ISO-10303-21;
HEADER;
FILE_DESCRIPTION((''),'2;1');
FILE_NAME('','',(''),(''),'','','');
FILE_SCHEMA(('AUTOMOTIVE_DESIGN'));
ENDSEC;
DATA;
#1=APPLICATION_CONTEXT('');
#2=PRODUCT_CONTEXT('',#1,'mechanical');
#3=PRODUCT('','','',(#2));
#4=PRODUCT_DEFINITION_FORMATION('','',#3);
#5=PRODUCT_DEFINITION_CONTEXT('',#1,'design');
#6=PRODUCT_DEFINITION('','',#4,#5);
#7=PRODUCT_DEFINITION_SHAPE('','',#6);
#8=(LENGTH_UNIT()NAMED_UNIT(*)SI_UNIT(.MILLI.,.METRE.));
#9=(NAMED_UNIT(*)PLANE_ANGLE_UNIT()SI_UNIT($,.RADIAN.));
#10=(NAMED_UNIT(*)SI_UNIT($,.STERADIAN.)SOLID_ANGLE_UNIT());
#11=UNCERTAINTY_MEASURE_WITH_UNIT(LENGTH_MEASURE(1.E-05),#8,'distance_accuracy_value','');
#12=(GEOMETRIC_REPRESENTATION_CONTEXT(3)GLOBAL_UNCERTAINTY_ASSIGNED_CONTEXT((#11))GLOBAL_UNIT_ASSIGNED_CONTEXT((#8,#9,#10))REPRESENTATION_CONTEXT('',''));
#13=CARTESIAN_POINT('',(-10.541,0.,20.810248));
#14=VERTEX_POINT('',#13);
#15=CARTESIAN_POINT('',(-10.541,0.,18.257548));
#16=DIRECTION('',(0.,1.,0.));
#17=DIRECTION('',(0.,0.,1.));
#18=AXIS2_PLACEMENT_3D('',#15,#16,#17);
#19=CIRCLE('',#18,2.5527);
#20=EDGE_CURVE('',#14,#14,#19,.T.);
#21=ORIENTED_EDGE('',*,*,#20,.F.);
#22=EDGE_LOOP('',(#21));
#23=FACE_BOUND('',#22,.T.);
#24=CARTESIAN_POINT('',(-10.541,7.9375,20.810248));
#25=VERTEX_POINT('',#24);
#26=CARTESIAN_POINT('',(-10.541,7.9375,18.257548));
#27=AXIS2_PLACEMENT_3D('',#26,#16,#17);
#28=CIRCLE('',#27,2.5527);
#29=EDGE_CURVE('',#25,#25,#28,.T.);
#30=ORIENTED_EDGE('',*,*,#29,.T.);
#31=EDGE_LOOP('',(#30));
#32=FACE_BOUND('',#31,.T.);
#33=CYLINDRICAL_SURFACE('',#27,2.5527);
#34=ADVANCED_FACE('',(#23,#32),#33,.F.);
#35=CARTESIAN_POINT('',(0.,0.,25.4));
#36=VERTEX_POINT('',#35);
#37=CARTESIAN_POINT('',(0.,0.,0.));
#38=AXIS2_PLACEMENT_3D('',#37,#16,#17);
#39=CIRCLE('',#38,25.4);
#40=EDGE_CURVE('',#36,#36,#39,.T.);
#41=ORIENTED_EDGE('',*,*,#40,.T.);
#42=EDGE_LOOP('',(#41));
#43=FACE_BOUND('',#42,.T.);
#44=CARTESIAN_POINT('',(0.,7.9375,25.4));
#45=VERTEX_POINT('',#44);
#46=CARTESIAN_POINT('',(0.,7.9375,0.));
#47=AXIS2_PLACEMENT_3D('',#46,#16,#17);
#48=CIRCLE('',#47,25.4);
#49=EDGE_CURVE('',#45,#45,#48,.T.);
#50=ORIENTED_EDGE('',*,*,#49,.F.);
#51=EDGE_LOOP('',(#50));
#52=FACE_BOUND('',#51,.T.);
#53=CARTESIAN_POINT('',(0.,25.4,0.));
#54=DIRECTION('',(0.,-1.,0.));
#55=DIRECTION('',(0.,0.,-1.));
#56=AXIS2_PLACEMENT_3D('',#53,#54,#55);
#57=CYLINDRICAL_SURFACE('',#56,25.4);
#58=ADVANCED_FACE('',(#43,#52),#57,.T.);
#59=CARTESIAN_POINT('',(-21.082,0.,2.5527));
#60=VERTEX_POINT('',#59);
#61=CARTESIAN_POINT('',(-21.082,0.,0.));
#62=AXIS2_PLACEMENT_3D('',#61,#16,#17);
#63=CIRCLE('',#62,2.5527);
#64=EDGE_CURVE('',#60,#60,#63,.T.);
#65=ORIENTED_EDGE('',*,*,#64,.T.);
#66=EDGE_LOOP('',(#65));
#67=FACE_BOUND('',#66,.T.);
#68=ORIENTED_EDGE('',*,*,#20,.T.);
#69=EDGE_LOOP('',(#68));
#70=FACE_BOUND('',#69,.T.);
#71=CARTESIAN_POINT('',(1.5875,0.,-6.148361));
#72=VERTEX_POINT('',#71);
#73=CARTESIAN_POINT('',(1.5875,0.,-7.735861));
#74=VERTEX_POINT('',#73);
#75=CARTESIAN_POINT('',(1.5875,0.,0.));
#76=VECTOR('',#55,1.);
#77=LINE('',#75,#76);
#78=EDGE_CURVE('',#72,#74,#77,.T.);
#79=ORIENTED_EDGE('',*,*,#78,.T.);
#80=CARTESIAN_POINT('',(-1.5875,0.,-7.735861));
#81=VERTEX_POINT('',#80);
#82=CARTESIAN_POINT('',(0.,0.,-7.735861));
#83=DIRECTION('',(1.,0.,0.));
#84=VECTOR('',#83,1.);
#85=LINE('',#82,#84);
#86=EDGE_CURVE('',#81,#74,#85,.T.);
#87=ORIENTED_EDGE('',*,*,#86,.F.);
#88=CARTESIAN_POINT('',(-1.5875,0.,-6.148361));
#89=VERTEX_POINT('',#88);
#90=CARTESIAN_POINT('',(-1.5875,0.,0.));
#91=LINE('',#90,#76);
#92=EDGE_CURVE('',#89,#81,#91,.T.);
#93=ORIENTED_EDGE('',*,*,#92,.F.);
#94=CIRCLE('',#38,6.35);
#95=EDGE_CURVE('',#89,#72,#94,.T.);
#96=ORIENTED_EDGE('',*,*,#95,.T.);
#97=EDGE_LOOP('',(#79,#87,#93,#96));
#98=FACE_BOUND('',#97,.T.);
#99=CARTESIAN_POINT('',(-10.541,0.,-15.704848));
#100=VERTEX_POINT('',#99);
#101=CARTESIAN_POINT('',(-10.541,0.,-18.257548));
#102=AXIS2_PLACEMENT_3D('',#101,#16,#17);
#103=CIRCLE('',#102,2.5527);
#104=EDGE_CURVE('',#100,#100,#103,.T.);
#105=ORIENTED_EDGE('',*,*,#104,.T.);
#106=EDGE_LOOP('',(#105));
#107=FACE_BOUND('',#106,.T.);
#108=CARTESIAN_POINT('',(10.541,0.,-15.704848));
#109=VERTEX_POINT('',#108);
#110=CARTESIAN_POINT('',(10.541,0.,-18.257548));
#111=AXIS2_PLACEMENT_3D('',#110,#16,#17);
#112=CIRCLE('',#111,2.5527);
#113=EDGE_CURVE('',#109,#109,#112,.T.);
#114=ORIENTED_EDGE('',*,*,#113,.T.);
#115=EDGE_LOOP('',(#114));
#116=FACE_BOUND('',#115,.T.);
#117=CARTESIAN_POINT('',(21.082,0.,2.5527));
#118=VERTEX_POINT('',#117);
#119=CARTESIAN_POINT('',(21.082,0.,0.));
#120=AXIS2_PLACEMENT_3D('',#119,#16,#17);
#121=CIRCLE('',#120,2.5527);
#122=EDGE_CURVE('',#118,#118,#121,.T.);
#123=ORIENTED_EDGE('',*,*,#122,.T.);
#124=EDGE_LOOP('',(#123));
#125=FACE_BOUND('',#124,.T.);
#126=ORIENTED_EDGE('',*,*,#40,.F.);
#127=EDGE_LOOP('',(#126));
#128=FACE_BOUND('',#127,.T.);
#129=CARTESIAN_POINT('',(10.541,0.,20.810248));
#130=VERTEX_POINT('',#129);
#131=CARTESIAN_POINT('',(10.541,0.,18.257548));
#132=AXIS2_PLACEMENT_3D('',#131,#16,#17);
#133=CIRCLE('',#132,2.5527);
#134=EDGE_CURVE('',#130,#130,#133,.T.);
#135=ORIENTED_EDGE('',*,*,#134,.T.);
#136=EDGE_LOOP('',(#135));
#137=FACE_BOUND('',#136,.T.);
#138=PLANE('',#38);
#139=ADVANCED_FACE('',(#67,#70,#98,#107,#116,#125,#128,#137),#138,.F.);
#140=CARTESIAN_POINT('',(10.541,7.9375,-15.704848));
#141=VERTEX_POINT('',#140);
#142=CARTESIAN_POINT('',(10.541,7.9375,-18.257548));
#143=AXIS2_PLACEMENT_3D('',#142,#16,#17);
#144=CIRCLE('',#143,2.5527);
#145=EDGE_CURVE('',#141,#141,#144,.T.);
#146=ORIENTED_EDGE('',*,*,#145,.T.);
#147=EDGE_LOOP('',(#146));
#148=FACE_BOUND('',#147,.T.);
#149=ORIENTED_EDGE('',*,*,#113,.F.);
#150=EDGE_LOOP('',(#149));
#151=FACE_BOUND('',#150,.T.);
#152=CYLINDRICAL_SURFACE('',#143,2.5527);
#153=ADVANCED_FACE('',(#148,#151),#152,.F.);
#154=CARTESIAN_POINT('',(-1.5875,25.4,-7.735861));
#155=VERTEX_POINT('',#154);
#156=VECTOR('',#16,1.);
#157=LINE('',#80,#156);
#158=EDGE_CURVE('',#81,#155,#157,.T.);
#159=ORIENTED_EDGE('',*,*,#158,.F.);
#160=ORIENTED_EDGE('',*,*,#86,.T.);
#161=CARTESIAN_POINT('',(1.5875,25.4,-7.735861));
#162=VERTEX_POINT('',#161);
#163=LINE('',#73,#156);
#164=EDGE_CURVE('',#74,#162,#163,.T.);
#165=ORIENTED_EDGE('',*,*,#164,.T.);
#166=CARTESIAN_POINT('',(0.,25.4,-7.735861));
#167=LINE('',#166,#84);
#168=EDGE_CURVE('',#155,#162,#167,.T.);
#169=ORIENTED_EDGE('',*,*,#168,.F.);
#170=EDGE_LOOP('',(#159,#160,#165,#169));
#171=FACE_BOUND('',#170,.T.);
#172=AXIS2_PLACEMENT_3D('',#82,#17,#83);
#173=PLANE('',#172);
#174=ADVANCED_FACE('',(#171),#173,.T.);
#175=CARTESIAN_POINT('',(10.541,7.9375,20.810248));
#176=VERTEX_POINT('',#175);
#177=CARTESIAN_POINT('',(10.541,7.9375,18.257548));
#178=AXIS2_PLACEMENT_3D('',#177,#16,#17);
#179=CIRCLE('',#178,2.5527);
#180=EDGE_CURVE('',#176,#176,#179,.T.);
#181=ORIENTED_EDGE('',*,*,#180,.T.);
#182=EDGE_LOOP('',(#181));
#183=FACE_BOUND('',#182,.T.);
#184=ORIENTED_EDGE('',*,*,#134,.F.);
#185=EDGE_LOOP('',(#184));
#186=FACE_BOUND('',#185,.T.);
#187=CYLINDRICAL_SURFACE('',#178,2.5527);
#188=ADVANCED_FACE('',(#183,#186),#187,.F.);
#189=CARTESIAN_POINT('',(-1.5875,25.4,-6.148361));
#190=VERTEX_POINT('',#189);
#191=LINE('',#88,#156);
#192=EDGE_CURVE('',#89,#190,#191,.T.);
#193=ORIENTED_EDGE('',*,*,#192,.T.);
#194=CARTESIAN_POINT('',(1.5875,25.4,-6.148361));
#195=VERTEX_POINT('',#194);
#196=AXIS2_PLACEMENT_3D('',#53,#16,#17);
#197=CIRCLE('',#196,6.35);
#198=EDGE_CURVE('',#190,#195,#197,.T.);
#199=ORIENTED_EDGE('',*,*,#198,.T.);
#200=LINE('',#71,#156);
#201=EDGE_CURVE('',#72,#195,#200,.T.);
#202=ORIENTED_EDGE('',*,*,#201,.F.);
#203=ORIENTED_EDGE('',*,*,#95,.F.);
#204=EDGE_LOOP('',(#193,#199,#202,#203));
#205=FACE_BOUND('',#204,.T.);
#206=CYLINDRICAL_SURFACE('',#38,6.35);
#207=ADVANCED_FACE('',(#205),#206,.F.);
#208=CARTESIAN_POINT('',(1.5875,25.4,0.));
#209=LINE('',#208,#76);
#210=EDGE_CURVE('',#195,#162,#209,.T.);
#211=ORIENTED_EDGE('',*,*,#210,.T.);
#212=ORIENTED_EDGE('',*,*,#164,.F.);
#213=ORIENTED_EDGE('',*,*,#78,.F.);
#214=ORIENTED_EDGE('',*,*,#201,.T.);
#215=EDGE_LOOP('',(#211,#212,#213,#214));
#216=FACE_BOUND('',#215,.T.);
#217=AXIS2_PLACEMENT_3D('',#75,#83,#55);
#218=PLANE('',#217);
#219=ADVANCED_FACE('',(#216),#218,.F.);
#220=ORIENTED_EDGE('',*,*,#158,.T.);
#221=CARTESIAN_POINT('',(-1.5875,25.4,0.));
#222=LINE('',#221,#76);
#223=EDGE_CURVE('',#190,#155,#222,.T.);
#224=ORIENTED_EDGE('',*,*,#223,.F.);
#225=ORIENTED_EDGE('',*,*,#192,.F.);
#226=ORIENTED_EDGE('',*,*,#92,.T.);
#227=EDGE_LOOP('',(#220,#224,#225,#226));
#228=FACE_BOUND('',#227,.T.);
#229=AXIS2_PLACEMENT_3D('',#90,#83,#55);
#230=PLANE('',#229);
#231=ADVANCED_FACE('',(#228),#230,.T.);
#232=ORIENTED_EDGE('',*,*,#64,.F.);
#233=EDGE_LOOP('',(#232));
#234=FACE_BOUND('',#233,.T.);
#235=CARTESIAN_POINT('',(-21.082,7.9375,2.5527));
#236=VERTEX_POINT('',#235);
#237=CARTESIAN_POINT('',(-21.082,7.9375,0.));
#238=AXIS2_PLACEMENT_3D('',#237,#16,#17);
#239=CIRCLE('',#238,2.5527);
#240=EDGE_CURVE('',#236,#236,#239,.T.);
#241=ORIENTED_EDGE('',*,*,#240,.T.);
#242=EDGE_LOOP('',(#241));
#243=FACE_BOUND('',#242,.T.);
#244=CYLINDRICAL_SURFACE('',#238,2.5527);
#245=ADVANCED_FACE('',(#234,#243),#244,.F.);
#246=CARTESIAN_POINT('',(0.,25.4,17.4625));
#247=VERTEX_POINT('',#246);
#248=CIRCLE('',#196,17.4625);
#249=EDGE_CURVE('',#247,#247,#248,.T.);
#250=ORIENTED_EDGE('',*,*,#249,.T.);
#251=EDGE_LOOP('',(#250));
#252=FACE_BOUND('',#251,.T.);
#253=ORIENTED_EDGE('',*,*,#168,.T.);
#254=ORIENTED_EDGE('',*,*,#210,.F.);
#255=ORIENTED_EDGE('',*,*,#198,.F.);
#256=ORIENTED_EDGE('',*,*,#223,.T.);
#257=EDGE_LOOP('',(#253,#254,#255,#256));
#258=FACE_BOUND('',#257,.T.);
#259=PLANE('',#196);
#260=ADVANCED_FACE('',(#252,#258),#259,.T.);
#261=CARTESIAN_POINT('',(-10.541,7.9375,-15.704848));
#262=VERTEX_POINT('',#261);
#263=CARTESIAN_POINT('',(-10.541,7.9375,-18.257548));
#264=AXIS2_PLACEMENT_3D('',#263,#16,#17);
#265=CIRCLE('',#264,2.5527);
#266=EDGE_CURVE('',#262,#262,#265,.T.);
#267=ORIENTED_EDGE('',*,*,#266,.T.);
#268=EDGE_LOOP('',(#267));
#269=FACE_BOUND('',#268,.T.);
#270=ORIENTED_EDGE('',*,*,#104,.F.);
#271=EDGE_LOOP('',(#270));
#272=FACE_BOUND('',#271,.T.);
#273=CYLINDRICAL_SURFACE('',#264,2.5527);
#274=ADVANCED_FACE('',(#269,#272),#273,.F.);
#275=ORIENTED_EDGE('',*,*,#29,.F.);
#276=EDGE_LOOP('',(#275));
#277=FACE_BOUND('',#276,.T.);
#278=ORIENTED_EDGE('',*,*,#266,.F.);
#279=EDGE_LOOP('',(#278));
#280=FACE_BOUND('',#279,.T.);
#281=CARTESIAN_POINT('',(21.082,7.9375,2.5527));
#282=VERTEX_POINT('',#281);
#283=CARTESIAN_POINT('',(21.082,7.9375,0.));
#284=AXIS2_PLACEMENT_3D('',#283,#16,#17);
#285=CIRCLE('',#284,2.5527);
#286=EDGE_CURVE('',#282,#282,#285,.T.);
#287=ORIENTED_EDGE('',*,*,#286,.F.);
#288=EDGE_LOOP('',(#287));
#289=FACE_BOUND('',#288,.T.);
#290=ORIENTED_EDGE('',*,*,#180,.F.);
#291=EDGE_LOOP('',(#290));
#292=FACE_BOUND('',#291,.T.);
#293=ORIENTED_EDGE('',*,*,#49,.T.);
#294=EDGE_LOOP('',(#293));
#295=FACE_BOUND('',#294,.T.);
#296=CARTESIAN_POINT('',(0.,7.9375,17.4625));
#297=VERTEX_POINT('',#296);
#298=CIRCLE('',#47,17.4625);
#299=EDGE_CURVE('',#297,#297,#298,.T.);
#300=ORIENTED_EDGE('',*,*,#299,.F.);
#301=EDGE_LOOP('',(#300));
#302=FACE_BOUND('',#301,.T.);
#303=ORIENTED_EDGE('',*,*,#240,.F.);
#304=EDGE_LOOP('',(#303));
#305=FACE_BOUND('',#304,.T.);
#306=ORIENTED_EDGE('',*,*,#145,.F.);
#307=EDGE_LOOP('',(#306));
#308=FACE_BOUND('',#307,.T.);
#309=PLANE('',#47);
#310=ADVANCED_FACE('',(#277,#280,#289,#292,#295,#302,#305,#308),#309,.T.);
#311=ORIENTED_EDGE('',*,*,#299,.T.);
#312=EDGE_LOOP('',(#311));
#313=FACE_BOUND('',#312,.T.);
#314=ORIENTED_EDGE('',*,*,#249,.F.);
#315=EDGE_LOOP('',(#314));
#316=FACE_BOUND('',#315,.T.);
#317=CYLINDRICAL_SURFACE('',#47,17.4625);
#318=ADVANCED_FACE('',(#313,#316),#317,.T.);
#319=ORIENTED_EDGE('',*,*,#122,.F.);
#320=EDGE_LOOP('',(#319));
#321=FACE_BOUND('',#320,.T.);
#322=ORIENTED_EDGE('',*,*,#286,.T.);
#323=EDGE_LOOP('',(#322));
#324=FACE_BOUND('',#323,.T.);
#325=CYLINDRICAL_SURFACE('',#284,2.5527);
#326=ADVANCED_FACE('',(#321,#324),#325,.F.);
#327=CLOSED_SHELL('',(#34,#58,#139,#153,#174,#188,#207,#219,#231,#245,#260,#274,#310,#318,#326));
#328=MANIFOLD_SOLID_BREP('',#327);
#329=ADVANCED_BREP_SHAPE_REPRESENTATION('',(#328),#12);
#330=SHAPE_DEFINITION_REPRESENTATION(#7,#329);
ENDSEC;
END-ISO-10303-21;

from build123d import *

# Parameters (mm, degrees)
SKETCH1_R              = 25.4
BOSS_EXTRUDE1_DEPTH    = 25.4
CUT_EXTRUDE1_START     = -17.4625
SKETCH2_R              = 25.4
SKETCH2_R_2            = 17.4625
CUT_EXTRUDE1_DEPTH     = 17.4625
CUT_EXTRUDE2_DEPTH     = 44.994090512
F_10_CLEARANCE_HOLE1_D = 5.1054


with BuildPart() as part:
    # Sketch1 → Boss-Extrude1 (new body)
    with BuildSketch(Plane(origin=(0, 0, 0), x_dir=(1, 0, 0), z_dir=(0, 1, 0))):
        with Locations(Location((0, 0, 0), (0, 0, 270))):
            Circle(SKETCH1_R)
    extrude(amount=BOSS_EXTRUDE1_DEPTH)

    # Sketch2 → Cut-Extrude1 (cut)
    with BuildSketch(Plane(origin=(0, 25.4, 0), x_dir=(1, 0, 0), z_dir=(0, 1, 0)).offset(CUT_EXTRUDE1_START)):
        with Locations(Location((0, 0, 0), (0, 0, 270))):
            Circle(SKETCH2_R)
        with Locations(Location((0, 0, 0), (0, 0, 270))):
            Circle(SKETCH2_R_2, mode=Mode.SUBTRACT)
    extrude(amount=CUT_EXTRUDE1_DEPTH, mode=Mode.SUBTRACT)

    # Sketch3 → Cut-Extrude2 (cut, through all)
    with BuildSketch(Plane(origin=(0, 25.4, 0), x_dir=(1, 0, 0), z_dir=(0, 1, 0))):
        with BuildLine():
            ThreePointArc((1.5875, 6.148361062), (0, 6.35), (-1.5875, 6.148361062))
            Line((-1.5875, 6.148361062), (1.5875, 6.148361062))
        make_face()
        with BuildLine():
            Line((1.5875, 6.148361062), (-1.5875, 6.148361062))
            ThreePointArc((-1.5875, 6.148361062), (-3.888564967, -5.020115786), (6.35, 0))
            ThreePointArc((6.35, 0), (5.020115786, 3.888564967), (1.5875, 6.148361062))
        make_face()
        with BuildLine():
            Line((-1.5875, 7.735861062), (-1.5875, 6.148361062))
            ThreePointArc((-1.5875, 6.148361062), (0, 6.35), (1.5875, 6.148361062))
            Line((1.5875, 6.148361062), (1.5875, 7.735861062))
            Line((1.5875, 7.735861062), (-1.5875, 7.735861062))
        make_face()
    extrude(amount=-CUT_EXTRUDE2_DEPTH, mode=Mode.SUBTRACT)

    # #10 Clearance Hole1 (through all)
    with Locations(Plane(origin=(21.082, 7.9375, 0), x_dir=(0, 0, 1), z_dir=(0, 1, 0))):
        with Locations((0, 0), (-18.257547563, -10.541), (-18.257547563, -31.623), (0, -42.164), (18.257547563, -31.623), (18.257547563, -10.541)):
            Hole(F_10_CLEARANCE_HOLE1_D / 2)


solid = part.part
